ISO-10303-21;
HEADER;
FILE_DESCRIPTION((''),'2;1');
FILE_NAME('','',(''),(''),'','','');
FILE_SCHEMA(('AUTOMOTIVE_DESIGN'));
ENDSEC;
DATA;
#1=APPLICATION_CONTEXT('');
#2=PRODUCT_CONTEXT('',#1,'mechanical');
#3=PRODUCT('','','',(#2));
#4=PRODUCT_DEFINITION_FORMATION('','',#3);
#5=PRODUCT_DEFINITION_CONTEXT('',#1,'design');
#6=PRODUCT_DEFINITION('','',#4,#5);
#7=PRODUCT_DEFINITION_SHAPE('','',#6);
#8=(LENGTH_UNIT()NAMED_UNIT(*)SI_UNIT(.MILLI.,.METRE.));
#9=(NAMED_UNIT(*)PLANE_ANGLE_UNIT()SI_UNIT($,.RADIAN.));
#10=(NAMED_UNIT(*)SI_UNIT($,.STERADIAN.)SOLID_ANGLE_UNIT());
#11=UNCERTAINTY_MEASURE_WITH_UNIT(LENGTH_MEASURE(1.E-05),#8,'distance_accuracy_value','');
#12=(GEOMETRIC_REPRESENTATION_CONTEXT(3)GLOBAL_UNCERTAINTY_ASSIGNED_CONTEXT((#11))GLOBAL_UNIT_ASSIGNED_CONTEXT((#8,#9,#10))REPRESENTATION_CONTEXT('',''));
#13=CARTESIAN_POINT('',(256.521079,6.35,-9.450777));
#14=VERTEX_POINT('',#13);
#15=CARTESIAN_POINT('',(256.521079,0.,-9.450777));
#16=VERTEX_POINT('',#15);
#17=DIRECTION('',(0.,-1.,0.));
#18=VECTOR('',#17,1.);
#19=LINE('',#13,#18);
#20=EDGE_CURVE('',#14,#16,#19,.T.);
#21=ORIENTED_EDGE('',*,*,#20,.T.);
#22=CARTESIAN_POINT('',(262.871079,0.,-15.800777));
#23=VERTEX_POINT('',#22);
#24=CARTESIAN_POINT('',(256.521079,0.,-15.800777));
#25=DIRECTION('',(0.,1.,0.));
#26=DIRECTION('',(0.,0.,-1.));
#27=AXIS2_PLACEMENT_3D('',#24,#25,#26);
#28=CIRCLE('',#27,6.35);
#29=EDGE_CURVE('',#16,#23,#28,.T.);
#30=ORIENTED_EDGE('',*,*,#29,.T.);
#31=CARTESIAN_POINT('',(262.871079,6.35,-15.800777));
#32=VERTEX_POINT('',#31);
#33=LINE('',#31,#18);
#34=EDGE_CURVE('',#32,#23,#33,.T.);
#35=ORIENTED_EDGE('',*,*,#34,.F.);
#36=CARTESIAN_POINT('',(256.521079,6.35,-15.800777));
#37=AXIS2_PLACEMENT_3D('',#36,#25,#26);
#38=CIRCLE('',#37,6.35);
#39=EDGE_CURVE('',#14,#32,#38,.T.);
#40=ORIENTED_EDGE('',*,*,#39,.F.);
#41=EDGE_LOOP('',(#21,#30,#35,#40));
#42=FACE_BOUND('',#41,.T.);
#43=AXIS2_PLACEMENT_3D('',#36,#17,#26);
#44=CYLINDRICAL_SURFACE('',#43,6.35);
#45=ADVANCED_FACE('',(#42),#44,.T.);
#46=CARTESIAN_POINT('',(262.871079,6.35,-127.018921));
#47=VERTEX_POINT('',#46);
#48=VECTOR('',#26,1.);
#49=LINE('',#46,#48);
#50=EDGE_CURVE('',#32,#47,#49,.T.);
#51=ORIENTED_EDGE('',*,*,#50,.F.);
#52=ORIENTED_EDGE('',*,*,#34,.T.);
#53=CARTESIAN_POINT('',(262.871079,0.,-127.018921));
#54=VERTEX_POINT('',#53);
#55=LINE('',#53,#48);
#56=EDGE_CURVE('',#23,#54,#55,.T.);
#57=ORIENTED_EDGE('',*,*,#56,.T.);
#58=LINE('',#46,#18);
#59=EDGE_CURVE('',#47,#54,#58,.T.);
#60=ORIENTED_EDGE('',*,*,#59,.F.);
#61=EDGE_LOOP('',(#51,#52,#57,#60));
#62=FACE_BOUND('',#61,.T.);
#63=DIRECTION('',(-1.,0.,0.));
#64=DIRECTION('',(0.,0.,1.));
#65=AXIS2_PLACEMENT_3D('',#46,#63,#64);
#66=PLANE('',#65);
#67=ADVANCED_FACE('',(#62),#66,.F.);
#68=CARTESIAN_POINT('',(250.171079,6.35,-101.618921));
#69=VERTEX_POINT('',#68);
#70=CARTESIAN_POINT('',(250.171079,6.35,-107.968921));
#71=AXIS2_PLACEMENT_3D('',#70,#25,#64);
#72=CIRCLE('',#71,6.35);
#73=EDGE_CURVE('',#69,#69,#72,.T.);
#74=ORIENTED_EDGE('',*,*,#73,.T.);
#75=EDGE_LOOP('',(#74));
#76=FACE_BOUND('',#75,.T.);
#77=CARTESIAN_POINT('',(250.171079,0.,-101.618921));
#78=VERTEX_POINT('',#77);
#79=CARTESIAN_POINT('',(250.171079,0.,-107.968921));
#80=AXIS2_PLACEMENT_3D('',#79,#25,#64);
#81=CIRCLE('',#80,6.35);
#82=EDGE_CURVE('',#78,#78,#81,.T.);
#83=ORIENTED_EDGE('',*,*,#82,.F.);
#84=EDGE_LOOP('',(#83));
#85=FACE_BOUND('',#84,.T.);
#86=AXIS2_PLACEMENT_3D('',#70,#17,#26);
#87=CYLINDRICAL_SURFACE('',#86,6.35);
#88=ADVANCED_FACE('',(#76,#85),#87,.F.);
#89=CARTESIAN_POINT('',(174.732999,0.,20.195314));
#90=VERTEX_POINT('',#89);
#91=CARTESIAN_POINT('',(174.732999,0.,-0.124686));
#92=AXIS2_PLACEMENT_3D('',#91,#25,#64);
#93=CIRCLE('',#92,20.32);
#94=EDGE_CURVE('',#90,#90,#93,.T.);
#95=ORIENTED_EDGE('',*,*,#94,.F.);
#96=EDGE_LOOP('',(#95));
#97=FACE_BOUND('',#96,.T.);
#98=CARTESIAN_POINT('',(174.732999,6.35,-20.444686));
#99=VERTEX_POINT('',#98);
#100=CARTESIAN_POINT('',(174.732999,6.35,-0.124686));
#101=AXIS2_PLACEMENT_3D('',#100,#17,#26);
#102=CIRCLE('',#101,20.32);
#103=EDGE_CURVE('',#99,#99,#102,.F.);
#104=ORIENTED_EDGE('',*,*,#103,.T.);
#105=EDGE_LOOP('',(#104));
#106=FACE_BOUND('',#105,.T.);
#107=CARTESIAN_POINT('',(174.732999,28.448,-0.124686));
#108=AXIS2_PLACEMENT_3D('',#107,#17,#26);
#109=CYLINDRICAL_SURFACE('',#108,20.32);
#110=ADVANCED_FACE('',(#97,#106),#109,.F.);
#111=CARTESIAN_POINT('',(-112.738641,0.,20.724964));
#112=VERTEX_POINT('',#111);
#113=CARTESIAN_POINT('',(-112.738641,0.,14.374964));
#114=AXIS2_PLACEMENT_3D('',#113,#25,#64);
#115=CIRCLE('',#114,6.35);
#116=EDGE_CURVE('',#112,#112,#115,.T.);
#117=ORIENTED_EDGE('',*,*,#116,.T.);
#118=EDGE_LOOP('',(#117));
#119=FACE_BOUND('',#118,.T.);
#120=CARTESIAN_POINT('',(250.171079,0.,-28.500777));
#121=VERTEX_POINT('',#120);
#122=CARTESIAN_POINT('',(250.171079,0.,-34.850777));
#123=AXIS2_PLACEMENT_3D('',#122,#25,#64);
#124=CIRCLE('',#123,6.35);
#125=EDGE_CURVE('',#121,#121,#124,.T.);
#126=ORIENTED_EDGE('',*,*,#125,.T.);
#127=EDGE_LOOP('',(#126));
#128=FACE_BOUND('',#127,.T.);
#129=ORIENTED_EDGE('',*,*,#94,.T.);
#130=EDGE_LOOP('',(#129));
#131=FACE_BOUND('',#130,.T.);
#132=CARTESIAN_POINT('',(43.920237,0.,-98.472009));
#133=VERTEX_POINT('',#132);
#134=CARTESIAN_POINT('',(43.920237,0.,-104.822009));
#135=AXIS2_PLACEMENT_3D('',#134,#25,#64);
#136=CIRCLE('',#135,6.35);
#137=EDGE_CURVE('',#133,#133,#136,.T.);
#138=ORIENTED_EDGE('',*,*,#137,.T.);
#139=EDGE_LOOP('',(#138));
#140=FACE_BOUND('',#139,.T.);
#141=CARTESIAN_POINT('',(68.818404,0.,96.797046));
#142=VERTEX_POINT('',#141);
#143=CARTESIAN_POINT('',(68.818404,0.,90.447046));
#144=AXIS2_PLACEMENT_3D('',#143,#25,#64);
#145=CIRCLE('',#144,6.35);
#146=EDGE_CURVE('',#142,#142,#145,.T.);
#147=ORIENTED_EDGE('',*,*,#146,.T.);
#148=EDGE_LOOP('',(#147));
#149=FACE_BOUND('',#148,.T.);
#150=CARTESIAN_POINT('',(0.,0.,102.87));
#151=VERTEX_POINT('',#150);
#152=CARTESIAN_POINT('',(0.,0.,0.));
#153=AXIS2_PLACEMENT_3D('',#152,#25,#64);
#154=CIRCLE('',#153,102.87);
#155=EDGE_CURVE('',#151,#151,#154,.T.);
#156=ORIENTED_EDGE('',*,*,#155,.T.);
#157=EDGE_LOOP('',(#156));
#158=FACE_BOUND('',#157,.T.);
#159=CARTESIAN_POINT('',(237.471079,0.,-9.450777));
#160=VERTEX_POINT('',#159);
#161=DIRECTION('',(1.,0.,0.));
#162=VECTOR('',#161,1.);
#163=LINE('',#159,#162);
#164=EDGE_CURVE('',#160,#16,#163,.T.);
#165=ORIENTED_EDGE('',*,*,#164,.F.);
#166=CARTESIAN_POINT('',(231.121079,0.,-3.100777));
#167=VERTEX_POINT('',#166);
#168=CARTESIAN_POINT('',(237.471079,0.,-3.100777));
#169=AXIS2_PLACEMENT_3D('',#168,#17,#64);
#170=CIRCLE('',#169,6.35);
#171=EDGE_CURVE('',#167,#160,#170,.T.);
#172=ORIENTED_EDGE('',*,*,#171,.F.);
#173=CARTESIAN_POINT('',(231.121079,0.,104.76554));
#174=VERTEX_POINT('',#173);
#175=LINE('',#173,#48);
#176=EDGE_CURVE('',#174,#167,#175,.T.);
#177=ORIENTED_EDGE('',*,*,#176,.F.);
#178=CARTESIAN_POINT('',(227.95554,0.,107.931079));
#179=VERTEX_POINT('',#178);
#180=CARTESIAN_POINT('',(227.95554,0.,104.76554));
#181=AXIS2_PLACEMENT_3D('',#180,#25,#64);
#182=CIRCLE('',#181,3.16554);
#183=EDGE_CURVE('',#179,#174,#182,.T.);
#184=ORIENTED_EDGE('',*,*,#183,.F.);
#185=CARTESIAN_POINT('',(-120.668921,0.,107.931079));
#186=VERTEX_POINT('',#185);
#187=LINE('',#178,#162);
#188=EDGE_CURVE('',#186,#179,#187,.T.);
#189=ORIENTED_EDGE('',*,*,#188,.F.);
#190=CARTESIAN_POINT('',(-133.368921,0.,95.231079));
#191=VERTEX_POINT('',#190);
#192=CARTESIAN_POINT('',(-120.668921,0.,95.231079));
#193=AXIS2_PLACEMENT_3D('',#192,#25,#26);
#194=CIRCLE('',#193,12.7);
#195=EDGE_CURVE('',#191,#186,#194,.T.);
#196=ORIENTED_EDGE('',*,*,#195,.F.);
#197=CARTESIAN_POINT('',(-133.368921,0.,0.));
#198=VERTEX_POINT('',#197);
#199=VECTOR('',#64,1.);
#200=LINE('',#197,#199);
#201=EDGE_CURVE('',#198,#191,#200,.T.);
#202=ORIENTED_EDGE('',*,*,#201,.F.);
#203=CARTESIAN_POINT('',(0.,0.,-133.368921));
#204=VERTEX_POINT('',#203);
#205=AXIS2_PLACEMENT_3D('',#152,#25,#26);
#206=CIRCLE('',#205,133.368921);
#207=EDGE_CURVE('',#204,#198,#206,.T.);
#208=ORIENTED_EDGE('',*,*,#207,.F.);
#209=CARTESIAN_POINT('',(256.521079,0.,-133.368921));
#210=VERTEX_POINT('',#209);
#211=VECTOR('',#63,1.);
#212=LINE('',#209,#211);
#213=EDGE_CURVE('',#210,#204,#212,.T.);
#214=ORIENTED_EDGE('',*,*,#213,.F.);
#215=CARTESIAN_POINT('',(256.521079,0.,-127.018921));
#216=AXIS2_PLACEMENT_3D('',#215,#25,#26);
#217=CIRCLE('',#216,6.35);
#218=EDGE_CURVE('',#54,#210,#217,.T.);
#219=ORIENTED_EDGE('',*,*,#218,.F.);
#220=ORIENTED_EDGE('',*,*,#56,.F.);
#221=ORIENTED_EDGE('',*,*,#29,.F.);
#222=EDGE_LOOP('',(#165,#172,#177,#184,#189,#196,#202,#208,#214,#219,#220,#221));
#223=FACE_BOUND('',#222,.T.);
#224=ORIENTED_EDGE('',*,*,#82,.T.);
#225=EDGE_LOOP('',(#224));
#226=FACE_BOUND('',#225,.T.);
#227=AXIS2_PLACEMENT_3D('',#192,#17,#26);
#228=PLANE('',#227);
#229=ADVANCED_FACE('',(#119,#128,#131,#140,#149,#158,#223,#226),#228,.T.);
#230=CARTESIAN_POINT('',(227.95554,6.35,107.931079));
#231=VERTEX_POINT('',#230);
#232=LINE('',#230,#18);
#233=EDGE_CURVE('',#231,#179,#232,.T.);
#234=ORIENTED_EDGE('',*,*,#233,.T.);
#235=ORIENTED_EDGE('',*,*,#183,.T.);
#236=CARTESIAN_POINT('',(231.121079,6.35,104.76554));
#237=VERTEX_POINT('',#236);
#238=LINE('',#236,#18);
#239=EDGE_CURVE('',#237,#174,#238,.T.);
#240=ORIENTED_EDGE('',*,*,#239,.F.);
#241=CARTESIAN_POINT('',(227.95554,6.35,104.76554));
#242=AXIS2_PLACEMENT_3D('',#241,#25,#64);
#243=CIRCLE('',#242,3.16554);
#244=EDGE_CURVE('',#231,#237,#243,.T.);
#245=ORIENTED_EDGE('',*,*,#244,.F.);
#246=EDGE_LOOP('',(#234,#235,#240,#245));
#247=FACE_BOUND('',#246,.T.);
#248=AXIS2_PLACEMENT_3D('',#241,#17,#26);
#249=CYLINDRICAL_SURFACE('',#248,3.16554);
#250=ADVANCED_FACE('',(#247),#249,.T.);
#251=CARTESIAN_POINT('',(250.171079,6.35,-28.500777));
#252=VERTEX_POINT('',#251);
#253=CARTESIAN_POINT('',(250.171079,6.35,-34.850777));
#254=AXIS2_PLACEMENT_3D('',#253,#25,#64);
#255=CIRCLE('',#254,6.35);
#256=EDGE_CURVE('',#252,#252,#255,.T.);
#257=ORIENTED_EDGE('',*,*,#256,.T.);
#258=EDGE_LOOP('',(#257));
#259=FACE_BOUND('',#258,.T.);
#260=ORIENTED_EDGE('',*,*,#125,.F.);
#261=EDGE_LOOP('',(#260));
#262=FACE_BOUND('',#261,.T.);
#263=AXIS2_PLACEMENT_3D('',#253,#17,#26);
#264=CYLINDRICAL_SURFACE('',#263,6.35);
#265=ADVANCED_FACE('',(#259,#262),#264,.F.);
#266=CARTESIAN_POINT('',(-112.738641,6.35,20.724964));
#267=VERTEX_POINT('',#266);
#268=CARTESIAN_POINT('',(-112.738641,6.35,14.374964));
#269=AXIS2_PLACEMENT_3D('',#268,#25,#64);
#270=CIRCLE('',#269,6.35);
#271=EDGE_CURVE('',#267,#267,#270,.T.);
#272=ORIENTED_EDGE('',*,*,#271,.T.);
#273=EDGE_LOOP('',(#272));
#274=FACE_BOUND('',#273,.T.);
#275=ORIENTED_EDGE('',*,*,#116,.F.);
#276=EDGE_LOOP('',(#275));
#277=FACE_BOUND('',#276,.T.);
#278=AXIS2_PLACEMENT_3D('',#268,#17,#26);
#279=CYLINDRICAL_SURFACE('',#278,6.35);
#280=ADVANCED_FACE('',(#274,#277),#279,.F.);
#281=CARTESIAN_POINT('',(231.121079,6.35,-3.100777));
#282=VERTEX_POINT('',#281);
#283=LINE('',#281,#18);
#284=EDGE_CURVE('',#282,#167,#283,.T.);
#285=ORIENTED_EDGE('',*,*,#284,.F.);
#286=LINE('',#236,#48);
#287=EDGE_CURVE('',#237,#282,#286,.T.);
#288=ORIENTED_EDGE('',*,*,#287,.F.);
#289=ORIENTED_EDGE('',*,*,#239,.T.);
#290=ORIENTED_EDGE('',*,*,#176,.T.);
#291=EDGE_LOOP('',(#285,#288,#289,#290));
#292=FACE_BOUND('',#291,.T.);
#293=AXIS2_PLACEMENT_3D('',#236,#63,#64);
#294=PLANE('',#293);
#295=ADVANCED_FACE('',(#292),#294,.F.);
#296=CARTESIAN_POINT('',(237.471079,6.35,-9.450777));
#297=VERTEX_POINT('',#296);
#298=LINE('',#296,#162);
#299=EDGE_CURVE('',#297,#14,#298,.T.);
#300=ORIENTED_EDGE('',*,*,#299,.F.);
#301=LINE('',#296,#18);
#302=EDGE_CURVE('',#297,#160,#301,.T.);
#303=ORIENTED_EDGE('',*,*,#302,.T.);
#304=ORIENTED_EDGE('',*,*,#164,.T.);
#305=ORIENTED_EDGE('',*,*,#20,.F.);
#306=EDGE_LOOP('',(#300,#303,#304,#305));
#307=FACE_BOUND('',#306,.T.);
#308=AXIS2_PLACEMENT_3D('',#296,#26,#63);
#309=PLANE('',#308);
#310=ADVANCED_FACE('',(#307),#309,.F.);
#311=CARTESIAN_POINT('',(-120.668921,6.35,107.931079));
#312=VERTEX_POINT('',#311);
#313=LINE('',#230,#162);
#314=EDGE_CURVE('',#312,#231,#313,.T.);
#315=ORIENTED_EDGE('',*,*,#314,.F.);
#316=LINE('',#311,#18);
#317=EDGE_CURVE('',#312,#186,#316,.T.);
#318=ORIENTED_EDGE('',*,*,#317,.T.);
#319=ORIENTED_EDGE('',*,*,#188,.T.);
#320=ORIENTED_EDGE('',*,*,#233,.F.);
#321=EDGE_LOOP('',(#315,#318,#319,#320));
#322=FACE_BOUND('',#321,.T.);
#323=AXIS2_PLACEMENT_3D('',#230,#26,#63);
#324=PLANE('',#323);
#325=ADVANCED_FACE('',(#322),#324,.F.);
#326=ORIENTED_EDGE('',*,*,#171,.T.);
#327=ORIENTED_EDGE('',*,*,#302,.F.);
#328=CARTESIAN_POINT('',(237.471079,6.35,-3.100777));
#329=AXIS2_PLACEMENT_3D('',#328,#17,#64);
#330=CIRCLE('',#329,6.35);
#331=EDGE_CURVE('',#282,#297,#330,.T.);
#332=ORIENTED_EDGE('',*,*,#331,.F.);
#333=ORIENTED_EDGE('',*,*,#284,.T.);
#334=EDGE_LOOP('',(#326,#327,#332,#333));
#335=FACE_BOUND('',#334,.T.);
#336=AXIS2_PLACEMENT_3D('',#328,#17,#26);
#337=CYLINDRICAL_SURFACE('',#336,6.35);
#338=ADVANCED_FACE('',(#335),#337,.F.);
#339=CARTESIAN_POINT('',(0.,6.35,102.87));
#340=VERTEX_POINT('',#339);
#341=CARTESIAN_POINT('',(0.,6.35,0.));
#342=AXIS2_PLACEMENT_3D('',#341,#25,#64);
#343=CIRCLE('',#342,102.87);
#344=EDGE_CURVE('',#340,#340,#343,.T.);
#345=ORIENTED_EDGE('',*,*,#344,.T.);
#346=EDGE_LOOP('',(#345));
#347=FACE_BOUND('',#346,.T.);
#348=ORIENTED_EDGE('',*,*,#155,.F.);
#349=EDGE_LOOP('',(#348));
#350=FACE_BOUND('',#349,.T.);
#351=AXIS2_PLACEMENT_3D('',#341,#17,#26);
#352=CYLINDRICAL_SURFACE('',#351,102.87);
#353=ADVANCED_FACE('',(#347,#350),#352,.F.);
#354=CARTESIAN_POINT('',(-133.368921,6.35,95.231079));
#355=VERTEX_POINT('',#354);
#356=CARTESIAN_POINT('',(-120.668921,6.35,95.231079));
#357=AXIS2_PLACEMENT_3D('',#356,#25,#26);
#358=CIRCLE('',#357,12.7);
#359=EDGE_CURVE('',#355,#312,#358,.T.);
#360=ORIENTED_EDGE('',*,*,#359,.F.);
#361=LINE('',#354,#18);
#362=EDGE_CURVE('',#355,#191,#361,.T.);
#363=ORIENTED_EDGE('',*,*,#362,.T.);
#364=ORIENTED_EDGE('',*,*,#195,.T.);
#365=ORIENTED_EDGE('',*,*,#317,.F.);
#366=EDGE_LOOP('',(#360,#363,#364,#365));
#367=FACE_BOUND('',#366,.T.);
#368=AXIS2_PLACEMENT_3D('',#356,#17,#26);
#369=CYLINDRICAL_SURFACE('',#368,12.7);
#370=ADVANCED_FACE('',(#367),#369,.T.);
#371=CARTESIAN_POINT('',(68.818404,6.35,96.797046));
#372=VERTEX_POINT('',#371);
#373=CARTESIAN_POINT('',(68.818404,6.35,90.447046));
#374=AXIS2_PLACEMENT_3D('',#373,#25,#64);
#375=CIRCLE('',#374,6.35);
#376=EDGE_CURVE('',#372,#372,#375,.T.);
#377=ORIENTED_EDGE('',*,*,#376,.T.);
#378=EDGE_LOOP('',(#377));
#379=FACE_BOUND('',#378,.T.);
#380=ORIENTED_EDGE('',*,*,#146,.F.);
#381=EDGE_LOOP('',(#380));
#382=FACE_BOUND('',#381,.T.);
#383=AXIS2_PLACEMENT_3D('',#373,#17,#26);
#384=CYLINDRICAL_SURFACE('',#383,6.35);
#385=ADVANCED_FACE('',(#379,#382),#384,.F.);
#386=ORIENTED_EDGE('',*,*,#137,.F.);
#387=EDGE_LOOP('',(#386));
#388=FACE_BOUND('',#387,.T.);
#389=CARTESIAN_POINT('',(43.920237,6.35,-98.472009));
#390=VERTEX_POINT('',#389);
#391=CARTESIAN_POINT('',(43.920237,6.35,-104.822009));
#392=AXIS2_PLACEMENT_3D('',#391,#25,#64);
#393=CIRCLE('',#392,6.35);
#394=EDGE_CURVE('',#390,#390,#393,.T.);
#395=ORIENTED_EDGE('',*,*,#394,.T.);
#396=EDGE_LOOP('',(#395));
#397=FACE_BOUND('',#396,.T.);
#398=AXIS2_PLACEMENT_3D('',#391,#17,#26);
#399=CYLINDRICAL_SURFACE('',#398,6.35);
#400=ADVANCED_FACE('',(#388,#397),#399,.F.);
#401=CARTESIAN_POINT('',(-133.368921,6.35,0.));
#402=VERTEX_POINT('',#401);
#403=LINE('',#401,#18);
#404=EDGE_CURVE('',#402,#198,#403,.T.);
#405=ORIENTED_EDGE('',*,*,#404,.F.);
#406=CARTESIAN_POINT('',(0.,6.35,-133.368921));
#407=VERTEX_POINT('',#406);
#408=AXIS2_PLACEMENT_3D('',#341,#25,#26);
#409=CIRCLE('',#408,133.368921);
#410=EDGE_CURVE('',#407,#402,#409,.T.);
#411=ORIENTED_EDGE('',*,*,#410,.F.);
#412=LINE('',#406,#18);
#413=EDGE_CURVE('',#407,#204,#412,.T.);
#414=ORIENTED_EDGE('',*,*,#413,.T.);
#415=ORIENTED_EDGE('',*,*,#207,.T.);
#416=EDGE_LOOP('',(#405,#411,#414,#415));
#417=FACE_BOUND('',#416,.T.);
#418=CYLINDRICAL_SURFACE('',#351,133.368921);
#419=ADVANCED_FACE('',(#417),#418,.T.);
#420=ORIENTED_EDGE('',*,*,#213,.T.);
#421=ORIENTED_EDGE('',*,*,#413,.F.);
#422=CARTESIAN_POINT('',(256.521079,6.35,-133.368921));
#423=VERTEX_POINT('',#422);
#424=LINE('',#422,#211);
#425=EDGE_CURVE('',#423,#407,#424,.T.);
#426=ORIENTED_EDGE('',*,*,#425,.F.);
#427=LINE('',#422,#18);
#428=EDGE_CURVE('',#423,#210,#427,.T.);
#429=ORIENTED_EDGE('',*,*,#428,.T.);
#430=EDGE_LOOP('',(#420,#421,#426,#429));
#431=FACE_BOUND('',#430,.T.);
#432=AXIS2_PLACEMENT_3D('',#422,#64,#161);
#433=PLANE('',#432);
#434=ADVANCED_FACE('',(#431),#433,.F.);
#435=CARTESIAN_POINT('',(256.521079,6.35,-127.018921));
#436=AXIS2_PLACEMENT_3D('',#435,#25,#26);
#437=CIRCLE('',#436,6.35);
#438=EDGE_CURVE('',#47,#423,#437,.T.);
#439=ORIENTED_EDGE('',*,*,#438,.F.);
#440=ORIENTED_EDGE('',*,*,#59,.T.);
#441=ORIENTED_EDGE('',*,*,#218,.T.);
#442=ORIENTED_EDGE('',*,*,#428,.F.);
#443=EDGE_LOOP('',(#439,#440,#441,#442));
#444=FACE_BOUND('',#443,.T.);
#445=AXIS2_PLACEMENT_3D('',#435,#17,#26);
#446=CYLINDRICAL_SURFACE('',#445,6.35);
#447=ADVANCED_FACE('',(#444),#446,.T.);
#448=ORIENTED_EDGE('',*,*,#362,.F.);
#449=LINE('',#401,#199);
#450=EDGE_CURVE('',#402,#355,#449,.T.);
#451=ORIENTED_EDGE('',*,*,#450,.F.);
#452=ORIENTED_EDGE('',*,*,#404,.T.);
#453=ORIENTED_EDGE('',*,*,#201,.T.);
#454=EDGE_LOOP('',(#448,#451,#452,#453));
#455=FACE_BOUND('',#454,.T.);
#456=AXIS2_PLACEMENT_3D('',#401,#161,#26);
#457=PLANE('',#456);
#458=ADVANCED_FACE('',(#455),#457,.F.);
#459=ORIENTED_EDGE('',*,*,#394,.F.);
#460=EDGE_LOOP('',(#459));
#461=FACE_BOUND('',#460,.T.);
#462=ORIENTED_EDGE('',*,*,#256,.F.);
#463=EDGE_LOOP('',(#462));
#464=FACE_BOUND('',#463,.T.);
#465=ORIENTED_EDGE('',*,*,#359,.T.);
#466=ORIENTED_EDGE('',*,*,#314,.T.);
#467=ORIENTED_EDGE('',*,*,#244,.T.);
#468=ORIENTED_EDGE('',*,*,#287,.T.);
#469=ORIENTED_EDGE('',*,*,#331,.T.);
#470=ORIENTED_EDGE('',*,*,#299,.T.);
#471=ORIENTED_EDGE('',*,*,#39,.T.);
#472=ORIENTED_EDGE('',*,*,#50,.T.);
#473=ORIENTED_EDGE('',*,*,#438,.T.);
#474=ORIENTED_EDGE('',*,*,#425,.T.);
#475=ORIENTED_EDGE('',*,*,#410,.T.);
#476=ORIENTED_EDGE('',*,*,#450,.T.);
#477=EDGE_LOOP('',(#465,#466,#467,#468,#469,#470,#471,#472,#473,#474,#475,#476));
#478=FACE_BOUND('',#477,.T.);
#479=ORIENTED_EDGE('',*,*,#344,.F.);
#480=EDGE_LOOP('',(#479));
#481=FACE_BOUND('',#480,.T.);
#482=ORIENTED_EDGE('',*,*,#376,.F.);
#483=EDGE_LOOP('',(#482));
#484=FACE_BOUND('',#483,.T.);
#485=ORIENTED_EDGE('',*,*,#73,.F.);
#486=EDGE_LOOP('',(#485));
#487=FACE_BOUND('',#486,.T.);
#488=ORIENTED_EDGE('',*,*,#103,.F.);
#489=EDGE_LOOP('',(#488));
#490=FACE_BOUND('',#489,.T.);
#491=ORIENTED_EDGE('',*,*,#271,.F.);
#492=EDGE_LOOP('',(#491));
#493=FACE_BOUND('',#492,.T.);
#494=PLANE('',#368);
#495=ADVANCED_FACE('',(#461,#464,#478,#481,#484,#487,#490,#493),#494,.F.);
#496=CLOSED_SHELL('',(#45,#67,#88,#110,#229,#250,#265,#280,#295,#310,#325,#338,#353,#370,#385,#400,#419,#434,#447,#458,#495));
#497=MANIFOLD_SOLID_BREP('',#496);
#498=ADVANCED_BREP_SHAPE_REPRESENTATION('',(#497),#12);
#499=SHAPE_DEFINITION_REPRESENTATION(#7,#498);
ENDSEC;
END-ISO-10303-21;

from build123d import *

# Parameters (mm, degrees)
SKETCH1_R           = 102.87
SKETCH1_R_2         = 6.35
BOSS_EXTRUDE1_DEPTH = 6.35
SKETCH6_R           = 20.32
CUT_EXTRUDE1_DEPTH  = 28.448


with BuildPart() as part:
    # Sketch1 → Boss-Extrude1 (new body)
    with BuildSketch(Plane(origin=(0, 0, 0), x_dir=(1, 0, 0), z_dir=(0, 1, 0))):
        with BuildLine():
            Line((256.521079071, 133.368920929), (0, 133.368920929))
            ThreePointArc((0, 133.368920929), (-94.306068389, 94.306068389), (-133.368920929, 0))
            Line((-133.368920929, 0), (-133.368920929, -95.231079071))
            ThreePointArc((-133.368920929, -95.231079071), (-129.64917705, -104.211335192), (-120.668920929, -107.931079071))
            Line((-120.668920929, -107.931079071), (227.955539535, -107.931079071))
            ThreePointArc((227.955539535, -107.931079071), (230.193914007, -107.003914007), (231.121079071, -104.765539535))
            Line((231.121079071, -104.765539535), (231.121079071, 3.100777109))
            ThreePointArc((231.121079071, 3.100777109), (232.98095101, 7.59090517), (237.471079071, 9.450777109))
            Line((237.471079071, 9.450777109), (256.521079071, 9.450777109))
            ThreePointArc((256.521079071, 9.450777109), (261.011207131, 11.310649048), (262.871079071, 15.800777109))
            Line((262.871079071, 15.800777109), (262.871079071, 127.018920929))
            ThreePointArc((262.871079071, 127.018920929), (261.011207131, 131.50904899), (256.521079071, 133.368920929))
        make_face()
        Circle(SKETCH1_R, mode=Mode.SUBTRACT)
        with Locations((-112.738641363, -14.374963544)):
            Circle(SKETCH1_R_2, mode=Mode.SUBTRACT)
        with Locations((43.920237074, 104.822009181)):
            Circle(SKETCH1_R_2, mode=Mode.SUBTRACT)
        with Locations((68.818404289, -90.447045637)):
            Circle(SKETCH1_R_2, mode=Mode.SUBTRACT)
        with Locations((250.171079071, 107.968920929)):
            Circle(SKETCH1_R_2, mode=Mode.SUBTRACT)
        with Locations((250.171079071, 34.850777109)):
            Circle(SKETCH1_R_2, mode=Mode.SUBTRACT)
    extrude(amount=BOSS_EXTRUDE1_DEPTH)

    # Sketch6 → Cut-Extrude1 (cut)
    with BuildSketch(Plane(origin=(0, 0, 0), x_dir=(1, 0, 0), z_dir=(0, 1, 0))):
        with Locations((174.732998702, 0.124686489)):
            Circle(SKETCH6_R)
    extrude(amount=CUT_EXTRUDE1_DEPTH, mode=Mode.SUBTRACT)


solid = part.part
